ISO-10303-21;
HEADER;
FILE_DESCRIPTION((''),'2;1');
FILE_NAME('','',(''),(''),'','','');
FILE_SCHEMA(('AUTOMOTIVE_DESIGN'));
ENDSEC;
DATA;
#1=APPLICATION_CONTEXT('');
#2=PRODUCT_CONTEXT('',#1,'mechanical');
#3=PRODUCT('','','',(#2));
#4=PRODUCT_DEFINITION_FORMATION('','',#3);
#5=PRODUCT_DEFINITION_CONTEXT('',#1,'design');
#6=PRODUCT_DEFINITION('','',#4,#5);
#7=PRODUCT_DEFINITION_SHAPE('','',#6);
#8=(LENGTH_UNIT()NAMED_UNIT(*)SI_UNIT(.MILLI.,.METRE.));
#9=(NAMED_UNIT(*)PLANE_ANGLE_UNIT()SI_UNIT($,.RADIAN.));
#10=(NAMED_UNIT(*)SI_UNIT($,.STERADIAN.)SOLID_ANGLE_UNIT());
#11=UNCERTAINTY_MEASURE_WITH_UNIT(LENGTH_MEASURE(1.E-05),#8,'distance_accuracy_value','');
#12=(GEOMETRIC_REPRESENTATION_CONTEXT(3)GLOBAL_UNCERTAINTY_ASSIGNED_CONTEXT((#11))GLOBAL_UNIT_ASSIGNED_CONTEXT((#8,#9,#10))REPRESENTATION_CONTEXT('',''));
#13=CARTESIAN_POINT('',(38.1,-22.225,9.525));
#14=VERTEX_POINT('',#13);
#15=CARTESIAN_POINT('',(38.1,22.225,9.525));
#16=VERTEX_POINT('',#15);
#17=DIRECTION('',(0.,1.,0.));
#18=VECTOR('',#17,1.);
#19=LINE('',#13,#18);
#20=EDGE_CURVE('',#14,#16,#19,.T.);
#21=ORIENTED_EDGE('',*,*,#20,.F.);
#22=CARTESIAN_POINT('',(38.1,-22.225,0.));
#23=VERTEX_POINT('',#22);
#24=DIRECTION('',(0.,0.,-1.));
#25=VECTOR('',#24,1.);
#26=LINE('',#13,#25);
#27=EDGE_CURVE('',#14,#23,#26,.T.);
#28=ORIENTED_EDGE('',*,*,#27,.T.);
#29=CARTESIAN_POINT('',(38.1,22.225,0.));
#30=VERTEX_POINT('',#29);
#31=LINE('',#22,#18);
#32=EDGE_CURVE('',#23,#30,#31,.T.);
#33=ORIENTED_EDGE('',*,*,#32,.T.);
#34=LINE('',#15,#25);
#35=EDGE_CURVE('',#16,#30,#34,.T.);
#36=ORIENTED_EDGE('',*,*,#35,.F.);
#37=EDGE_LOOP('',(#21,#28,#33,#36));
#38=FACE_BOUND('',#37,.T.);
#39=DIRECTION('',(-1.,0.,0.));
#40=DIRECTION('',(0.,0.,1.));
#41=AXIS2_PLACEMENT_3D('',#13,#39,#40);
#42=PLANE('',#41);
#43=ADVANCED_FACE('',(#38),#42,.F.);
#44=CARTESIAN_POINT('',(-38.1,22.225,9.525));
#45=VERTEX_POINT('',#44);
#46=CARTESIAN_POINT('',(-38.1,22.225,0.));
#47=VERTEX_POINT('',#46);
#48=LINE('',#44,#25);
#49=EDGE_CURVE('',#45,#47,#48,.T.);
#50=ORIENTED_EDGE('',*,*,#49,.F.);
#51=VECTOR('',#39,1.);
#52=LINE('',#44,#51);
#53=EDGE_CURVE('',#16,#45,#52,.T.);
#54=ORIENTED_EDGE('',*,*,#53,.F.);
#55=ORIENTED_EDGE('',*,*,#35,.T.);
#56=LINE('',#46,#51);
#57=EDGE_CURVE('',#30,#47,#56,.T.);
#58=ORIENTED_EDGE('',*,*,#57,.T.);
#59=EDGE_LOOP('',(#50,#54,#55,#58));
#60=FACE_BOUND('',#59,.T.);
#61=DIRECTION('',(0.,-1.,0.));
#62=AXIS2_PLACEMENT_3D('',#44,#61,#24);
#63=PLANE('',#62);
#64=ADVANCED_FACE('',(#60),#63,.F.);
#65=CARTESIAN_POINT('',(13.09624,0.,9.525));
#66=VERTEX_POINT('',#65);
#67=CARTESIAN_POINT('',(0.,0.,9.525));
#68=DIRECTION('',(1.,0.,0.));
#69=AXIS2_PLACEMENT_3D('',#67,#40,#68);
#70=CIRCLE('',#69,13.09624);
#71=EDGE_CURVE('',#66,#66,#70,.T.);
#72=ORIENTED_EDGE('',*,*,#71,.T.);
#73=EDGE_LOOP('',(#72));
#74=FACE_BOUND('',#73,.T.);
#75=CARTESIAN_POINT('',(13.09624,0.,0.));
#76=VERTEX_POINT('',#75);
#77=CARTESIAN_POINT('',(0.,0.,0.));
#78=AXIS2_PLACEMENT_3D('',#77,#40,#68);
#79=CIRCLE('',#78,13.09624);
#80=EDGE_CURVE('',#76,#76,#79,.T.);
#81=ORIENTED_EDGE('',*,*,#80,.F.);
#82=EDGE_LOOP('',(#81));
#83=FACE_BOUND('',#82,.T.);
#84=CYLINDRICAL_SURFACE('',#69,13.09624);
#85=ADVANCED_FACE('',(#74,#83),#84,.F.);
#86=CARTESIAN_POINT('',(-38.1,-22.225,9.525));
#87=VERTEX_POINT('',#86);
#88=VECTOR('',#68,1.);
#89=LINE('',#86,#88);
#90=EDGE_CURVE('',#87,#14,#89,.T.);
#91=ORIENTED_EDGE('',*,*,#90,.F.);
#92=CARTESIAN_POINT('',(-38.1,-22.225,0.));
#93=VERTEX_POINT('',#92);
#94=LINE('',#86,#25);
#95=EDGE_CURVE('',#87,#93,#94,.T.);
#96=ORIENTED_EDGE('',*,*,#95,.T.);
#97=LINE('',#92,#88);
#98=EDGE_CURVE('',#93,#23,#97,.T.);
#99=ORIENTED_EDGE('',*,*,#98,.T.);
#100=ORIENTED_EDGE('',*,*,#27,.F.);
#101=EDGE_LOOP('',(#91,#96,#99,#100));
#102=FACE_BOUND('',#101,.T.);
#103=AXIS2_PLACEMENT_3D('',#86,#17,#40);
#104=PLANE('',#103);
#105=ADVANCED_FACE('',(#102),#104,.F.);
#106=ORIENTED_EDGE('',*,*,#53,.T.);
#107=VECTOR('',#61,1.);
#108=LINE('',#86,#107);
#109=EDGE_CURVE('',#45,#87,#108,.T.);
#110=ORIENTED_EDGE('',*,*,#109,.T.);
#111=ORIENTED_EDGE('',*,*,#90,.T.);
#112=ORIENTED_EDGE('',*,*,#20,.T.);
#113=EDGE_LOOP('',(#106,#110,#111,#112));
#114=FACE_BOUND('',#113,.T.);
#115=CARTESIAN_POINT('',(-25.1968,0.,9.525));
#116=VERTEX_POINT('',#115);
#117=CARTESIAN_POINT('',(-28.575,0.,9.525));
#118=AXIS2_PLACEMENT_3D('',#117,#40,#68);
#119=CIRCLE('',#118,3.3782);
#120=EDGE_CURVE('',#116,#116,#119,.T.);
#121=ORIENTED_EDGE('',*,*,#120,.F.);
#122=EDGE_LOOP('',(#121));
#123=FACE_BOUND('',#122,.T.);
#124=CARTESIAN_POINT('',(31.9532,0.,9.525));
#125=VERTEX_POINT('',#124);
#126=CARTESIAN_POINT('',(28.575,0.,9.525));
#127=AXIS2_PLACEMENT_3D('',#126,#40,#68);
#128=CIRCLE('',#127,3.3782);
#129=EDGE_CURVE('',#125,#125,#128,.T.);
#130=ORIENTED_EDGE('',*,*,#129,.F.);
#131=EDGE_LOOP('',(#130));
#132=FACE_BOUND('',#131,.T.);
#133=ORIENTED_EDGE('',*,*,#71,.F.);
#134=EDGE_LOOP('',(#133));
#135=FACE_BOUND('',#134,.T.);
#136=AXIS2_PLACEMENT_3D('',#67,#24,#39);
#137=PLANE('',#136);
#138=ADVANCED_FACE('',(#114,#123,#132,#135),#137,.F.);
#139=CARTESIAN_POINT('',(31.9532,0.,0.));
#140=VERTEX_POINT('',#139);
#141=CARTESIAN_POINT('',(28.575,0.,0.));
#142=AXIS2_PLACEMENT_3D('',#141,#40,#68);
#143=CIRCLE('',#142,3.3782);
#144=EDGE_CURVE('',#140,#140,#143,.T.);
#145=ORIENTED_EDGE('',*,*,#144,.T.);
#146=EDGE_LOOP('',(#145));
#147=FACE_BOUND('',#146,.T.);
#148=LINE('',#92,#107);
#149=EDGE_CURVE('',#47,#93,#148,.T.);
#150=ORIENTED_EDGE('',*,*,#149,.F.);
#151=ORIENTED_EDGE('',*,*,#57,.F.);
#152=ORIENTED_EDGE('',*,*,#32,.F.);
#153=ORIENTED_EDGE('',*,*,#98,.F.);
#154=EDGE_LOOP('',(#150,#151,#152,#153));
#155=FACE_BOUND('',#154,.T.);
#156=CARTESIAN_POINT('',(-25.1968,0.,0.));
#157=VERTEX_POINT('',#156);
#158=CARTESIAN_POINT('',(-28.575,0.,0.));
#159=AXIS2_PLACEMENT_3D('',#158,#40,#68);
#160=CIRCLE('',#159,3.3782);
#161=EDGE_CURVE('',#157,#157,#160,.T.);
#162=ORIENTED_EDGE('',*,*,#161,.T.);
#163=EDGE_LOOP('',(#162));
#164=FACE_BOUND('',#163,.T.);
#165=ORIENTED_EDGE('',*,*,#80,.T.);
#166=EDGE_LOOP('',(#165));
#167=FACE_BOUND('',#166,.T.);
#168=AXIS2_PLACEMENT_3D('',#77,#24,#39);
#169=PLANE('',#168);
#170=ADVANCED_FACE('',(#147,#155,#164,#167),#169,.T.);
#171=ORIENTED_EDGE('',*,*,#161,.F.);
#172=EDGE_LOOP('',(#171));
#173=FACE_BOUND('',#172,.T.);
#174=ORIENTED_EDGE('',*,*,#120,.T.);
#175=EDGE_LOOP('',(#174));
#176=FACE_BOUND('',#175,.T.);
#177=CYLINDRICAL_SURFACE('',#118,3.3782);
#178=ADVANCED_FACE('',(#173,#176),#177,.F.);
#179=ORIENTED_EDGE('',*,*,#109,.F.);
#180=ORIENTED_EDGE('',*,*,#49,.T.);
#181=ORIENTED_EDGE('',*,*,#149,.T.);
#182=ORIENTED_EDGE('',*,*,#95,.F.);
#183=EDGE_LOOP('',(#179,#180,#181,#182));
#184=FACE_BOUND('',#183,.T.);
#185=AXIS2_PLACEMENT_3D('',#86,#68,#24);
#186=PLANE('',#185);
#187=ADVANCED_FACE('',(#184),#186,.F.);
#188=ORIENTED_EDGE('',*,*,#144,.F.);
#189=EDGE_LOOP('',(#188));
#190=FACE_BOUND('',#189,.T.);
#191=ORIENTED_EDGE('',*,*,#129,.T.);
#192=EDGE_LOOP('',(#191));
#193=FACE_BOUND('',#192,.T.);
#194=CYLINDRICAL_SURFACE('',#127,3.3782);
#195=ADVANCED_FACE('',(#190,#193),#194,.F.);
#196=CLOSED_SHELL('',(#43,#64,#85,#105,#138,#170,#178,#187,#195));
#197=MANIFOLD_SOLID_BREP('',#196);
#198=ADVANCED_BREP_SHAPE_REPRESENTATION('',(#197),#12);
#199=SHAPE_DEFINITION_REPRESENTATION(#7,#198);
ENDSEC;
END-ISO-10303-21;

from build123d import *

# Parameters (mm, degrees)
SKETCH1_W               = 76.2
SKETCH1_H               = 44.45
BOSS_EXTRUDE1_DEPTH     = 9.525
F_1_CLEARANCE_HOLE1_D   = 26.19248
F_1_4_CLEARANCE_HOLE1_D = 6.7564


with BuildPart() as part:
    # Sketch1 → Boss-Extrude1 (new body)
    with BuildSketch(Plane.XY):
        Rectangle(SKETCH1_W, SKETCH1_H)
    extrude(amount=BOSS_EXTRUDE1_DEPTH)

    # 1 Clearance Hole1 (through all)
    with Locations(Plane.XY.offset(9.525)):
        with Locations((0, 0)):
            Hole(F_1_CLEARANCE_HOLE1_D / 2)

    # 1/4 Clearance Hole1 (through all)
    with Locations(Plane.XY.offset(9.525)):
        with Locations((-28.575, 0), (28.575, 0)):
            Hole(F_1_4_CLEARANCE_HOLE1_D / 2)


solid = part.part
